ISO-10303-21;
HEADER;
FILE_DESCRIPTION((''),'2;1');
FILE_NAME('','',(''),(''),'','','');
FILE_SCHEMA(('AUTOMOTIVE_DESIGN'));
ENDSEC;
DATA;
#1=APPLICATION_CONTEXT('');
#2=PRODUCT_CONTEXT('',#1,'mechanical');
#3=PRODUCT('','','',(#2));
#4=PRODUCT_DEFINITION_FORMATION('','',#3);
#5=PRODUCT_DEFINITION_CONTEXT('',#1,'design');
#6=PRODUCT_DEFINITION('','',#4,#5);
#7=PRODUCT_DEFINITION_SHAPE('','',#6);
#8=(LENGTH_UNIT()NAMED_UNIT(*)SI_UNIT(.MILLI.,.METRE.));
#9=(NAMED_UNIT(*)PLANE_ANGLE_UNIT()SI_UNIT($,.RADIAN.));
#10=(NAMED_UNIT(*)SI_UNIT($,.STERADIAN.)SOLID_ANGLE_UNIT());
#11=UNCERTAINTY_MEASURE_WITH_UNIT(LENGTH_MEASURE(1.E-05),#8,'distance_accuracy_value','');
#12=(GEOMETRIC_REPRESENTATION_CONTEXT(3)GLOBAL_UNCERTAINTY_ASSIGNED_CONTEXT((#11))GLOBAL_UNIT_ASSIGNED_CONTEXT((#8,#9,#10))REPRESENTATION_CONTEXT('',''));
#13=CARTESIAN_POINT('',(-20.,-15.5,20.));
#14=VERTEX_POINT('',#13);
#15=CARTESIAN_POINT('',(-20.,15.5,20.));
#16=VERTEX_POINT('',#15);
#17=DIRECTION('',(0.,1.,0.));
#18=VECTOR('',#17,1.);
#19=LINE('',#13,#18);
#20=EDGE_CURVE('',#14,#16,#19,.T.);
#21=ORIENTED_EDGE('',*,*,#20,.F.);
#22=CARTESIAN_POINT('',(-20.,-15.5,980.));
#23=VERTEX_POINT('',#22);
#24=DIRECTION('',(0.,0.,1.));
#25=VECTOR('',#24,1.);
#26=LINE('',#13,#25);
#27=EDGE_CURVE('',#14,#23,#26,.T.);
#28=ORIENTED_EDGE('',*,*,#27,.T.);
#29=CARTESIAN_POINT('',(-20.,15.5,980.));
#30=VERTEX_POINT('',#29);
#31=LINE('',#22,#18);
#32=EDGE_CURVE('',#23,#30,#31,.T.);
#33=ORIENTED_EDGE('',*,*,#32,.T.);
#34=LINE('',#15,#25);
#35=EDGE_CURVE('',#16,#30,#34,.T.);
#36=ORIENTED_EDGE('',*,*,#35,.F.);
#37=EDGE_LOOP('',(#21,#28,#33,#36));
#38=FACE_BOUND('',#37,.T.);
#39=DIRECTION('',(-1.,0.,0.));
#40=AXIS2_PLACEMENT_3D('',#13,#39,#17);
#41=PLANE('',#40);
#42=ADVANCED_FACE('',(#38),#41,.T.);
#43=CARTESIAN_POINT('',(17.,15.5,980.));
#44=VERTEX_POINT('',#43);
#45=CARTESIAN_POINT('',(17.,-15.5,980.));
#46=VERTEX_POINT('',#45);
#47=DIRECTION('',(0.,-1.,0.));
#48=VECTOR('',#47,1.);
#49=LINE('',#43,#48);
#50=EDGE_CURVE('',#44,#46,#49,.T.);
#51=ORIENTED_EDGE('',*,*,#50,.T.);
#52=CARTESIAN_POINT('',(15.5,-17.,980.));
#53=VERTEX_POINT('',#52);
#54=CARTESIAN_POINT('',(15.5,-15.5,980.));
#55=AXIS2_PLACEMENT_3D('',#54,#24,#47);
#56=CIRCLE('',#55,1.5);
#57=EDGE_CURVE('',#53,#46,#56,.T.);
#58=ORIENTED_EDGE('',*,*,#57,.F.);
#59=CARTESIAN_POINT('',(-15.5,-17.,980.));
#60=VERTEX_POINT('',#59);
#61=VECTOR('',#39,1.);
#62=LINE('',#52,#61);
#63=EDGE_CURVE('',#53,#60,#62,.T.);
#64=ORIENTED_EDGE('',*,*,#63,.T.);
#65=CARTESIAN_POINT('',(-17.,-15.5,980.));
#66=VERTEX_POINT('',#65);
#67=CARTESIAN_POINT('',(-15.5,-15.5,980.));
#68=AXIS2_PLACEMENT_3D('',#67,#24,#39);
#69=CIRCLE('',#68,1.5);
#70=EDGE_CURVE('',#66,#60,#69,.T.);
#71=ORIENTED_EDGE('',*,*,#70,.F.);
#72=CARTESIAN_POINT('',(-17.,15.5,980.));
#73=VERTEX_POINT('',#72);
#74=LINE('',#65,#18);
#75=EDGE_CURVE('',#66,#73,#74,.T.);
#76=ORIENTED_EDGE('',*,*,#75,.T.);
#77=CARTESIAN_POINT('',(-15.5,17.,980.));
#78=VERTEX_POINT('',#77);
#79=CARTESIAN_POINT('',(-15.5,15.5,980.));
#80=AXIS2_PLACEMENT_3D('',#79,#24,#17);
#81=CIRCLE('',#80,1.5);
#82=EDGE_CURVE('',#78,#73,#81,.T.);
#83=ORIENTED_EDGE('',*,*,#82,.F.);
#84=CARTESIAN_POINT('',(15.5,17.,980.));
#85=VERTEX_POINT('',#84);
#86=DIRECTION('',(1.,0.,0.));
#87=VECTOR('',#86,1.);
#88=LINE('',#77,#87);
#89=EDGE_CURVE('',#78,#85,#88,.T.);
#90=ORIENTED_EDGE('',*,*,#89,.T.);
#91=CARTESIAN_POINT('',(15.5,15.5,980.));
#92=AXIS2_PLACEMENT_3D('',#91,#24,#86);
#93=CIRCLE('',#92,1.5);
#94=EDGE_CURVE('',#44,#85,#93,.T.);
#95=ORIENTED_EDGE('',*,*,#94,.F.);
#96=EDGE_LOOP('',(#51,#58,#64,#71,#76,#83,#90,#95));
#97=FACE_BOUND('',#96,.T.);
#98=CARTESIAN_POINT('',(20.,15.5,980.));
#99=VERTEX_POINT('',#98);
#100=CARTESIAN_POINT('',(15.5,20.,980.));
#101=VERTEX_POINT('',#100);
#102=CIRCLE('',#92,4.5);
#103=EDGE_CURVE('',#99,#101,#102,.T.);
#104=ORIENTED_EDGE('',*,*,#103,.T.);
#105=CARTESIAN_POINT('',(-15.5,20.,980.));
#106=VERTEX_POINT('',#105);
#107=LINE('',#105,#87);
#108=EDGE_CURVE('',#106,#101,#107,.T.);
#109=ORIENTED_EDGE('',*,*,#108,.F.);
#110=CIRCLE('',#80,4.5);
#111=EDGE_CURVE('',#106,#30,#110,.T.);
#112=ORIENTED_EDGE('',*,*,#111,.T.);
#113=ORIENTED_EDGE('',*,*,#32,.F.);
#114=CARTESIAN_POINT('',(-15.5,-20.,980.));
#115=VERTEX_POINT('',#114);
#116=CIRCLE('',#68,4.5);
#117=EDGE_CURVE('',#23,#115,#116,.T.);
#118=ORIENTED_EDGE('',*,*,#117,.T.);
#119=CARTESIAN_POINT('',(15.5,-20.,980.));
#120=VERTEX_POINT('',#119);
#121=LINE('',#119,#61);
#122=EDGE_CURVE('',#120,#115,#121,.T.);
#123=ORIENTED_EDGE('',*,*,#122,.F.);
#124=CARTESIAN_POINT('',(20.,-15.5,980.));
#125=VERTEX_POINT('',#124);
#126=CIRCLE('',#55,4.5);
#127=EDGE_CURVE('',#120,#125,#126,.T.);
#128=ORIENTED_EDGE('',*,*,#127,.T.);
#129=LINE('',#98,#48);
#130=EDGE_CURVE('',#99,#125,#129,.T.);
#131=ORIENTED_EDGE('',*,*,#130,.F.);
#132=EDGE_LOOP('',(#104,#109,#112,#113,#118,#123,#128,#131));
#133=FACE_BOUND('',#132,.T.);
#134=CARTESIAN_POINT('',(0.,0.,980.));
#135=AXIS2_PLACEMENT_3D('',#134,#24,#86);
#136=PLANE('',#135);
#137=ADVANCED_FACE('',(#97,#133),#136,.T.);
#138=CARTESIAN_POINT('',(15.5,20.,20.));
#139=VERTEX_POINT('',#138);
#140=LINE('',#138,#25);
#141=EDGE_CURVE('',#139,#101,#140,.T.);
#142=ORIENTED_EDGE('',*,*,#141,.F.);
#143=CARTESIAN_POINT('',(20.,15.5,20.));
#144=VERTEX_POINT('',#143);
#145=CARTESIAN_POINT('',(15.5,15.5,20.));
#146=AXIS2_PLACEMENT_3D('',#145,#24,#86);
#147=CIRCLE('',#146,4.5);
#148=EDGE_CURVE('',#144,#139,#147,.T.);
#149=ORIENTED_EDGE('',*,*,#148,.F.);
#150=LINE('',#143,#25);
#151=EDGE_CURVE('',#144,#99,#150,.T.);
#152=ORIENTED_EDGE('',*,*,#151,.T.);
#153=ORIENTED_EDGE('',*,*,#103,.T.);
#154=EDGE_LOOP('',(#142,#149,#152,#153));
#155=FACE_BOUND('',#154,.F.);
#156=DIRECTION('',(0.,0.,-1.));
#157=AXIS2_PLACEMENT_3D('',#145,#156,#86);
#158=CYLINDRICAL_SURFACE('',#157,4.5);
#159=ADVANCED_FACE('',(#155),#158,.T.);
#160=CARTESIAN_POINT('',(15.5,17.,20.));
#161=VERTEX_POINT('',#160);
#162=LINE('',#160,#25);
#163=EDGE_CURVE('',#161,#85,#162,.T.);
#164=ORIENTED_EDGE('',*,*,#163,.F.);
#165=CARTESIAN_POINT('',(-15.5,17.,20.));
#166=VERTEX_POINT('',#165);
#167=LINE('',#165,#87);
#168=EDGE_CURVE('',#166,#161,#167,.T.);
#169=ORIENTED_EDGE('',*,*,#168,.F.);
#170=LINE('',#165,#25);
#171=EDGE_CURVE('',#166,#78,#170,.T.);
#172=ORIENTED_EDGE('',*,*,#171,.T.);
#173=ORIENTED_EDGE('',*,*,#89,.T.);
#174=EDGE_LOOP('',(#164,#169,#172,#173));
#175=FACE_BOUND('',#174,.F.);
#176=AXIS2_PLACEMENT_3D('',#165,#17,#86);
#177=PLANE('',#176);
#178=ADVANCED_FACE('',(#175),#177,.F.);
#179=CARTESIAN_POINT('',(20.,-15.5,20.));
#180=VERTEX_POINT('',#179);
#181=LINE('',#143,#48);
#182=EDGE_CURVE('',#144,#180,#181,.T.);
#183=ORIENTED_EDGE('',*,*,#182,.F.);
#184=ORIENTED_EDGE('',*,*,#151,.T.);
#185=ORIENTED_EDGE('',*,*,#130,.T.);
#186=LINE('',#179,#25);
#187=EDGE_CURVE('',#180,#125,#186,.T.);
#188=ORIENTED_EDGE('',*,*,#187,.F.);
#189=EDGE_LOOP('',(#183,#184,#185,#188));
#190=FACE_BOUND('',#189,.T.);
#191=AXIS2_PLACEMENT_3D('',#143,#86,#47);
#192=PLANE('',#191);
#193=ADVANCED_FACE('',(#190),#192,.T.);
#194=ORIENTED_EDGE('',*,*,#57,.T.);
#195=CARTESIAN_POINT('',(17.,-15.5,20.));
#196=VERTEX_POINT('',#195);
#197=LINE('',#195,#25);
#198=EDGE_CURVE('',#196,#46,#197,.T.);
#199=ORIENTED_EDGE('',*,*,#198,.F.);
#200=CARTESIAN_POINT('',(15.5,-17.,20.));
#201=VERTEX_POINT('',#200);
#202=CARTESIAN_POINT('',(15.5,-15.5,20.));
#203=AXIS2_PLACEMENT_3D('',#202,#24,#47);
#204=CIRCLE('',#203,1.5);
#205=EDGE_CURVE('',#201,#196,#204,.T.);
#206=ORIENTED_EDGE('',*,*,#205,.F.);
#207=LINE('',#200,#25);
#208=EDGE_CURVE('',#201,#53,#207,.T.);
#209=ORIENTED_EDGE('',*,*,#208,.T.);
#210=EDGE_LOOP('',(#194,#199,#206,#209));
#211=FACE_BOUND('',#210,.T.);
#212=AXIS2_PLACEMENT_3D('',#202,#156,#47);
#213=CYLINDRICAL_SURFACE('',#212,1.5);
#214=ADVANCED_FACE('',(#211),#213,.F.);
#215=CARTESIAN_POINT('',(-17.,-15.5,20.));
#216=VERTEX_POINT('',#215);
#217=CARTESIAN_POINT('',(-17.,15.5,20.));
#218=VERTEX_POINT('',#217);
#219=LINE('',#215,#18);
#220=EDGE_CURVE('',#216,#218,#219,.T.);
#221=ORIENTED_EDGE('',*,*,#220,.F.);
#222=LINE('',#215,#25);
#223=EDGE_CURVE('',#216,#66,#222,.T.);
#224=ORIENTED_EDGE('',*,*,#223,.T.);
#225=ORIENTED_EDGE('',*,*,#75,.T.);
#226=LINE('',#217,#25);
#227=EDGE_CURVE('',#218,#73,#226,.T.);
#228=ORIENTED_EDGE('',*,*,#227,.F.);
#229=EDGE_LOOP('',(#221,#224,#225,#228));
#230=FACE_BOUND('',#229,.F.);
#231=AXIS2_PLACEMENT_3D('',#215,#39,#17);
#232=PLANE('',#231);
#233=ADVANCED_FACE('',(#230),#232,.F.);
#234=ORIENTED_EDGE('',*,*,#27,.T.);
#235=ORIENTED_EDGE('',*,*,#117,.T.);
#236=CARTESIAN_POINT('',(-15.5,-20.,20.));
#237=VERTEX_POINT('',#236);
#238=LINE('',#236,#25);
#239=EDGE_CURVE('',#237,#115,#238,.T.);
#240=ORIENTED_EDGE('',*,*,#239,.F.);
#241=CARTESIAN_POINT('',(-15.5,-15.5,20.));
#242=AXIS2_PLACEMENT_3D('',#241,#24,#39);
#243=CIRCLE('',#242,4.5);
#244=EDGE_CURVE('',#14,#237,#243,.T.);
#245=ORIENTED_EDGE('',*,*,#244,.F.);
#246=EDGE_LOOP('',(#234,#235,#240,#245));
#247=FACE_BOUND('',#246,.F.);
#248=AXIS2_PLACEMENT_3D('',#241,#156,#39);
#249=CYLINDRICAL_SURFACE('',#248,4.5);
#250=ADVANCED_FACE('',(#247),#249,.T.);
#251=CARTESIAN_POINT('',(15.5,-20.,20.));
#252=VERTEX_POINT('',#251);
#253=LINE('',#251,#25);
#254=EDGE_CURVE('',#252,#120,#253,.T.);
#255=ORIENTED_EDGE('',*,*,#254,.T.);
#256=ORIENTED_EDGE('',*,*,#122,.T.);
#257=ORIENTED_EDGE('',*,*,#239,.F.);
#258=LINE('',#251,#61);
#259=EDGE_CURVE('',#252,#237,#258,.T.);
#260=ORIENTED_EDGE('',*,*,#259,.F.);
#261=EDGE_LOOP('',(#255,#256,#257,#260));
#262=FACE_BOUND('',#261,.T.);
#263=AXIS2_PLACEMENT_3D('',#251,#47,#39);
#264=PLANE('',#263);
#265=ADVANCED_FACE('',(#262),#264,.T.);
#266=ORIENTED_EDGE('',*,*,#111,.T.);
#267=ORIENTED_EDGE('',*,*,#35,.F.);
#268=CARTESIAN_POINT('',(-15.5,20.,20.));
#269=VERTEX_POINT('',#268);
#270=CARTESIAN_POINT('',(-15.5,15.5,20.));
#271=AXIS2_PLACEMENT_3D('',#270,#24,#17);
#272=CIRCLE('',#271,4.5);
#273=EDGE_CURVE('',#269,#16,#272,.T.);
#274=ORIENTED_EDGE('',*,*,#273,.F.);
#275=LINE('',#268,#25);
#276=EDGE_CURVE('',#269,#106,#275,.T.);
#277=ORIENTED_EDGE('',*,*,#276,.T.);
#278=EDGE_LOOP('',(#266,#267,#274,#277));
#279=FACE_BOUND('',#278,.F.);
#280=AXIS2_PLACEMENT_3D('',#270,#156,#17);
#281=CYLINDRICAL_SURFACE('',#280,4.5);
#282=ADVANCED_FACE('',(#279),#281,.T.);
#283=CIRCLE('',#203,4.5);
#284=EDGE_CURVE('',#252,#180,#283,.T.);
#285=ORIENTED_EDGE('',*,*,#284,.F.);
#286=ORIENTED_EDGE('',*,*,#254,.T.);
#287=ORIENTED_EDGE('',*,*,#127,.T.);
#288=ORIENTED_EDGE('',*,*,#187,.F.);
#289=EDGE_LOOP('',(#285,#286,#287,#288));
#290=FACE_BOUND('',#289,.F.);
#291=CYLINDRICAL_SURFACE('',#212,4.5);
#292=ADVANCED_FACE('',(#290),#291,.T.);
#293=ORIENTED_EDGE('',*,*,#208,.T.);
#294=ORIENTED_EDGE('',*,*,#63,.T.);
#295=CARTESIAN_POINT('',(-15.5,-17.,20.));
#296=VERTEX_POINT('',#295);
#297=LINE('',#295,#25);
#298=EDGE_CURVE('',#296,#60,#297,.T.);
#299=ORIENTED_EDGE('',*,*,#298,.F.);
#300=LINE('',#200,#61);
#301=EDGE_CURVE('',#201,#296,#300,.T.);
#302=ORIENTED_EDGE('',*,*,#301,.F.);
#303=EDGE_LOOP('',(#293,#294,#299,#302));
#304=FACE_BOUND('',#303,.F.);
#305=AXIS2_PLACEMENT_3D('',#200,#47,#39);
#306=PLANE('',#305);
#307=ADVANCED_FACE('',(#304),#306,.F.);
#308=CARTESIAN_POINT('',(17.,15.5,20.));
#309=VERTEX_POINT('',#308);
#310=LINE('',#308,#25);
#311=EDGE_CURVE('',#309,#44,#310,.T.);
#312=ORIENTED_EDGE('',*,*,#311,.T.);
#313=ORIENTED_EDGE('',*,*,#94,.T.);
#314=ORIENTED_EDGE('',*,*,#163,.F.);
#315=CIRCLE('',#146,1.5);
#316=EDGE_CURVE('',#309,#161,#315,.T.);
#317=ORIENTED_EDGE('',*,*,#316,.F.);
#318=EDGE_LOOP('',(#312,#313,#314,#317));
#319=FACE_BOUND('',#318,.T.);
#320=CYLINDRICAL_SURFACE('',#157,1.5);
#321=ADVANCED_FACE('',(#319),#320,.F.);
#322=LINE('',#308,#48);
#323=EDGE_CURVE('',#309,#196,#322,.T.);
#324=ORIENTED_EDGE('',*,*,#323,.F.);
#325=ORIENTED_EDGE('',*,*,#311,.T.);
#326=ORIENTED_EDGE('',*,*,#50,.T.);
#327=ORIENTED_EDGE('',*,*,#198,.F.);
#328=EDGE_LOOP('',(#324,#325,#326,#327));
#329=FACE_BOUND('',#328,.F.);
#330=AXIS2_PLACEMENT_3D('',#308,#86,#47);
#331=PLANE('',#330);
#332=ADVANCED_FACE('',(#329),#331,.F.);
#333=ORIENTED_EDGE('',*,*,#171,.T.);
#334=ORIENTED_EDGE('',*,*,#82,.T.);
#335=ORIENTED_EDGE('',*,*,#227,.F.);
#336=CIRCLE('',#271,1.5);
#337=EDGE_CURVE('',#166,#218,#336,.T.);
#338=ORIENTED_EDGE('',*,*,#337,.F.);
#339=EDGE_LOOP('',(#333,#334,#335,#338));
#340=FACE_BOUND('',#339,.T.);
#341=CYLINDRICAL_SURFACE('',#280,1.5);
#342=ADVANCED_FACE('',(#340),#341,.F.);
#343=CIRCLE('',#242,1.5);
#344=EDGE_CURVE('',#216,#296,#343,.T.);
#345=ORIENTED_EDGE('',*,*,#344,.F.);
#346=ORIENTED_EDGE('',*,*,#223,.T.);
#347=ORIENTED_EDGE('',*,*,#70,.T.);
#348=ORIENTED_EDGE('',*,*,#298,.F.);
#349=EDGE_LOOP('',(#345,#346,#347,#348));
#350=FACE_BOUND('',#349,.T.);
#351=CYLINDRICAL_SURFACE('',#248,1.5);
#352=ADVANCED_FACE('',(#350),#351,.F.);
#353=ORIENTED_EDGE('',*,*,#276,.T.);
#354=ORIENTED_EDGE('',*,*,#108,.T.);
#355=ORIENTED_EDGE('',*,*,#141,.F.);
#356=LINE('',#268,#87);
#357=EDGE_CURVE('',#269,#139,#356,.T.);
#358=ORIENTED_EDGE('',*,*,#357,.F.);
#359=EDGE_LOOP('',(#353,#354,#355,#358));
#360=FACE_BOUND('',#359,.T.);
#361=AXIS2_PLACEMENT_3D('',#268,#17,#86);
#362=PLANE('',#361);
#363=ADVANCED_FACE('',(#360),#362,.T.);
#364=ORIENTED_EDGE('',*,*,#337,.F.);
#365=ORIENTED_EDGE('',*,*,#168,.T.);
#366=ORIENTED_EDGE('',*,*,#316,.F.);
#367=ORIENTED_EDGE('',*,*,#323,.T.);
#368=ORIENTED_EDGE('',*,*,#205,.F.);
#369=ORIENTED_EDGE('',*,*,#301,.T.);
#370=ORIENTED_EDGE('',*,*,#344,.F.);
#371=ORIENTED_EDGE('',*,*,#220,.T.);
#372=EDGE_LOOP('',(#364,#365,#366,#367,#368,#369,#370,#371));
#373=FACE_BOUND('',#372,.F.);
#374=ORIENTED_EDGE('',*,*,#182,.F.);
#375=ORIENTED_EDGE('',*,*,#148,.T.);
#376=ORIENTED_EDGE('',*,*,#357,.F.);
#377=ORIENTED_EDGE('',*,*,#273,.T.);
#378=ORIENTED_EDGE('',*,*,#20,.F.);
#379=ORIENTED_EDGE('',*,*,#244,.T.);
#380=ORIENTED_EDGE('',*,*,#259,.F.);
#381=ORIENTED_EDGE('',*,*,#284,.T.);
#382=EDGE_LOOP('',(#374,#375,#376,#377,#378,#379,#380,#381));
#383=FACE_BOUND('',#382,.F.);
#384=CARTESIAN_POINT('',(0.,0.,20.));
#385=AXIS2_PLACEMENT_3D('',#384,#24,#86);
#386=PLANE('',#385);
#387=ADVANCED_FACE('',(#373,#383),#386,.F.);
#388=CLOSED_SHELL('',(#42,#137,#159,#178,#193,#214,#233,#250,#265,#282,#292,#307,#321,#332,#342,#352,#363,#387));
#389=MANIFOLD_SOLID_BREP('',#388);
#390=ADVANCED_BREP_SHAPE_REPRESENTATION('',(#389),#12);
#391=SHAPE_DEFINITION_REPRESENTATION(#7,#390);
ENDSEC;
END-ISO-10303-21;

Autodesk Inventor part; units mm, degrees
ref_plane "Start Plane" through (0, 0, 20) normal (0, 0, 1) x (1, 0, 0)
ref_plane "End Plane" through (0, 0, 980) normal (0, 0, 1) x (1, 0, 0)
sketch "Sketch" plane through (0, 0, 0) normal (0, 0, 1) x (1, 0, 0)
  line L0 (-20, -15.5) -> (-20, 15.5)
  line L1 (-15.5, 20) -> (15.5, 20)
  line L2 (20, 15.5) -> (20, -15.5)
  line L3 (15.5, -20) -> (-15.5, -20)
  arc A0 (-20, -15.5) -> (-15.5, -20) centre (-15.5, -15.5) ccw
  arc A1 (-15.5, 20) -> (-20, 15.5) centre (-15.5, 15.5) ccw
  arc A2 (20, 15.5) -> (15.5, 20) centre (15.5, 15.5) ccw
  arc A3 (15.5, -20) -> (20, -15.5) centre (15.5, -15.5) ccw
  arc A4 (-15.5, 17) -> (-17, 15.5) centre (-15.5, 15.5) ccw
  line L4 (-15.5, 17) -> (15.5, 17)
  arc A5 (17, 15.5) -> (15.5, 17) centre (15.5, 15.5) ccw
  line L5 (17, 15.5) -> (17, -15.5)
  arc A6 (15.5, -17) -> (17, -15.5) centre (15.5, -15.5) ccw
  line L6 (15.5, -17) -> (-15.5, -17)
  arc A7 (-17, -15.5) -> (-15.5, -17) centre (-15.5, -15.5) ccw
  line L7 (-17, -15.5) -> (-17, 15.5)
  line L8 (0, 29.3048) -> (0, -29.3048) construction
  line L9 (-29.3048, 0) -> (29.3048, 0) construction
  dimension "d7" = 4.5
  dimension "d10" = 40
  dimension "d11" = 40
  dimension "d12" = 3
  dimension "d15" = 20
  dimension "d16" = 20
extrude "Body" add sketch "Sketch" along normal up to surface (960 mm away) from surface at 20
sketch "Sketch3" plane through (0, 0, 0) normal (0, 0, 1) x (1, 0, 0)
  line L0 (0, 0) -> (10, 0)
ref_plane "Work Plane3" through (0, 0, 0) normal (0, -1, 0) x (1, 0, 0)
ref_plane "Work Plane4" through (-160, 15.5, 980) normal (0, 0, 1) x (1, 0, 0)
split "Split1" plane through (-160, 15.5, 980) removes the side toward (0, 0, 1)
ref_plane "Work Plane5" through (-160, -15.5, 20) normal (0, 0, -1) x (-1, 0, 0)
split "Split2" plane through (-160, -15.5, 20) removes the side toward (0, 0, -1)
sketch "Sketch4" plane through (0, 0, 0) normal (0, -1, 0) x (1, 0, 0)
  line L0 (-2, 20) -> (12, 20) projected
  line L1 (-2, 980) -> (12, 980) projected
  dimension "d18" = 960
equation "\"d7\" = G_IR"
equation "\"d10\" = G_H"
equation "\"d11\" = G_W"
equation "\"d12\" = G_T"
equation "\"d15\" = 0.5 * d10"
equation "\"d16\" = 0.5 * d11"
equation "\"d3\" = G_L"
equation "\"G_W\" = 40"
equation "\"G_H\" = 40"
equation "\"G_T\" = 3"
equation "\"G_IR\" = 4.5"
equation "\"G_L\" = d18"
properties part number "ISO 12633-2 - 40x40x3 - 960" material "Steel, Mild"
